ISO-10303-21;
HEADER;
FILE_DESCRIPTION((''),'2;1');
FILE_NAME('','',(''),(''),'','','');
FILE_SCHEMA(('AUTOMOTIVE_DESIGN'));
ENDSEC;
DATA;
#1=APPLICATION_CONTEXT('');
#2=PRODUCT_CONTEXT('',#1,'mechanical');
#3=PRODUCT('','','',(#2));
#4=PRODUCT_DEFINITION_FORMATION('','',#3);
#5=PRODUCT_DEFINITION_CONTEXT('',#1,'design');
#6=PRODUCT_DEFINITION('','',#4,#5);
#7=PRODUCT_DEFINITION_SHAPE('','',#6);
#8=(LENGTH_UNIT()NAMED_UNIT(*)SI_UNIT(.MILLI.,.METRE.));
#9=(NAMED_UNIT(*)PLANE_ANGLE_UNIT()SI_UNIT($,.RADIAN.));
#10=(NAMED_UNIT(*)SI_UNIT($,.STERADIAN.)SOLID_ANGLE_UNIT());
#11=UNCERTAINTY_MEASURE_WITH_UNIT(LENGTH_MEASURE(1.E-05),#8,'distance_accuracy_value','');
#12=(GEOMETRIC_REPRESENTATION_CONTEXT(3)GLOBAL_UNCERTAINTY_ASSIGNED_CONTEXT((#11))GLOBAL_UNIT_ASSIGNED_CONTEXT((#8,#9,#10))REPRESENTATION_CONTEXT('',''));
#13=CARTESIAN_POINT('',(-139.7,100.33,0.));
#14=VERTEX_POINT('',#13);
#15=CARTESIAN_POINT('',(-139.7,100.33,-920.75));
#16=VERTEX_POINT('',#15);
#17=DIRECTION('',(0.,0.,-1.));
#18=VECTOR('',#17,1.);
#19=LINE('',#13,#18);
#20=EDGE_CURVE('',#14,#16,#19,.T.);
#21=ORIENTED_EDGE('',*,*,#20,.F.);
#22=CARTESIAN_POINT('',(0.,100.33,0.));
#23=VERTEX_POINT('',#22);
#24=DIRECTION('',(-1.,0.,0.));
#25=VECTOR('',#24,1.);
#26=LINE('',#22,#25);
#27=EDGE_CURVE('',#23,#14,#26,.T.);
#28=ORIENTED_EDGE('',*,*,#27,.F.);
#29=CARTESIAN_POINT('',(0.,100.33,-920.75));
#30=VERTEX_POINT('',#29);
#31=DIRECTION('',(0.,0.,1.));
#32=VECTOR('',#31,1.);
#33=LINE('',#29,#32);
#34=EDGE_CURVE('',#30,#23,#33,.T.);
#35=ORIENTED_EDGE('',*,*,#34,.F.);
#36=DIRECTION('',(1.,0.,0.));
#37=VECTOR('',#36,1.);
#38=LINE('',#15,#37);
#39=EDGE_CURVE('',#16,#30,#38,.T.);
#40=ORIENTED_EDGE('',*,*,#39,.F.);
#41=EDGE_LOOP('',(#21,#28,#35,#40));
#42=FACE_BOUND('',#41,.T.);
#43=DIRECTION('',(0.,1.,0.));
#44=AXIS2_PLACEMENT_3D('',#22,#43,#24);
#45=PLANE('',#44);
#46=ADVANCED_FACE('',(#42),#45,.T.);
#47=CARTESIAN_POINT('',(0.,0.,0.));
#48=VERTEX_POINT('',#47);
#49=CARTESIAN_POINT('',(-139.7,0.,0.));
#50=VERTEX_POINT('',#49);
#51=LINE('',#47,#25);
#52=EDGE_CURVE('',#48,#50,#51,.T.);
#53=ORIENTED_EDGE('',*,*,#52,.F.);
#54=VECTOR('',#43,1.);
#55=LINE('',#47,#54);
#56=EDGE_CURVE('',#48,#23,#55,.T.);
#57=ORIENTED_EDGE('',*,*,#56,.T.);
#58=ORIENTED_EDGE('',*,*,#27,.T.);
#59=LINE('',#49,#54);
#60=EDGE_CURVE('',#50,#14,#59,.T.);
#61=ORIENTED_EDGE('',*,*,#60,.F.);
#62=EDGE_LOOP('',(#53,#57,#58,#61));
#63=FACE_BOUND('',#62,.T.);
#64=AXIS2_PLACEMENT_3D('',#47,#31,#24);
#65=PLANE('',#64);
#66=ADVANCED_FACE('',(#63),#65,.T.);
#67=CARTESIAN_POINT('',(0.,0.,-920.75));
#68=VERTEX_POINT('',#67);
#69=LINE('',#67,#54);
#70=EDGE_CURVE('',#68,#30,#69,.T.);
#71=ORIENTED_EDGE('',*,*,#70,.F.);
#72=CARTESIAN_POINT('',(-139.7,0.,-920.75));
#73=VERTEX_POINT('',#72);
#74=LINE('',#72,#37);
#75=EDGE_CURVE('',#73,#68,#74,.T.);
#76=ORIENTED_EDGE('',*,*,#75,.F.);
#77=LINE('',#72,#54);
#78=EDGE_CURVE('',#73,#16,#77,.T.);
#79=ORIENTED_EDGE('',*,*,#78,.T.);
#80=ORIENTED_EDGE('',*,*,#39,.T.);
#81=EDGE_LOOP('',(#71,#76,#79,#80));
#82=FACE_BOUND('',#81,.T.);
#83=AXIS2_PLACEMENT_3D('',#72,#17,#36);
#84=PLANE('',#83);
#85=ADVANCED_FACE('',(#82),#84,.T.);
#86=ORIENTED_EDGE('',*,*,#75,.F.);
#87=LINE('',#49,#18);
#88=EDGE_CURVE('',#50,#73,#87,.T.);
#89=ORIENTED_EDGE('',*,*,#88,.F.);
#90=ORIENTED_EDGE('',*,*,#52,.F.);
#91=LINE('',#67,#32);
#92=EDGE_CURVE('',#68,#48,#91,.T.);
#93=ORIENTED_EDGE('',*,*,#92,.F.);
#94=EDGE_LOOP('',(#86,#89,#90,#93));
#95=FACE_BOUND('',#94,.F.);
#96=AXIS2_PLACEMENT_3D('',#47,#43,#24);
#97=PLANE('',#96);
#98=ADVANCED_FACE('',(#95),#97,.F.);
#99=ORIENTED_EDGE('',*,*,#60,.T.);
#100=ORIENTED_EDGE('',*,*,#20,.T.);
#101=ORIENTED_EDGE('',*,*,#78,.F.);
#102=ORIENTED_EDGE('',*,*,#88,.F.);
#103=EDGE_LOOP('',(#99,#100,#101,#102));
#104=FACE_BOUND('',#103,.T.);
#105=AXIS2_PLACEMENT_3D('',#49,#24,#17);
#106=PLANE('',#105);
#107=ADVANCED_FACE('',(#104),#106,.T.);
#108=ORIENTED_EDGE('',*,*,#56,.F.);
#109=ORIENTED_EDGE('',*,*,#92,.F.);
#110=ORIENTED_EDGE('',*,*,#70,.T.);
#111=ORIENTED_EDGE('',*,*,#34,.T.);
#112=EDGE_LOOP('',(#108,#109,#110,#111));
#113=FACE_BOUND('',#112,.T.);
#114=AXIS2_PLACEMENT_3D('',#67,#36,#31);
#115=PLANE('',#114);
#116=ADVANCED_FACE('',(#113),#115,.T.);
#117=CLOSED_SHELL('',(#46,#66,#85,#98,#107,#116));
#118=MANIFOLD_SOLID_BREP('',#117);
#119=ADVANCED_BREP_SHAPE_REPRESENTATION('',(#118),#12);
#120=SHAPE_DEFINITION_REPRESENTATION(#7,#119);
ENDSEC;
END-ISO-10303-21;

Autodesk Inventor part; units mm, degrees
ref_plane "YZ Plane" through (0, 0, 0) normal (1, 0, 0) x (0, 1, 0)
ref_plane "XZ Plane" through (0, 0, 0) normal (0, 1, 0) x (-1, 0, 0)
ref_plane "XY Plane" through (0, 0, 0) normal (0, 0, 1) x (1, 0, 0)
sketch "Sketch1" plane through (0, 0, 0) normal (0, 1, 0) x (-1, 0, 0)
  line L0 (0, 0) -> (139.7, 0)
  line L1 (139.7, 0) -> (139.7, -920.75)
  line L2 (139.7, -920.75) -> (0, -920.75)
  line L3 (0, -920.75) -> (0, 0)
  dimension "d0" = 139.7
  dimension "d1" = 920.75
extrude "Extrusion1" add sketch "Sketch1" along normal blind 100.33
sketch "Sketch2" plane through (0, 0, 0) normal (1, 0, 0) x (0, 0, -1)
  line L0 (920.75, 0) -> (0, 0) projected
  line L1 (0, 0) -> (920.75, 0)
  line L2 (-297.6389, 409.8513) -> (2710.7909, 409.8513) construction
  line L3 (2710.7909, 409.8513) -> (2710.7909, -1716.9746) construction
  line L4 (2710.7909, -1716.9746) -> (-297.6389, -1716.9746) construction
  line L5 (-297.6389, -1716.9746) -> (-297.6389, 409.8513) construction
  line L6 (0, 0) -> (920.75, 0) projected
  line L7 (920.75, 0) -> (920.75, 100.33) projected
  line L8 (0, 100.33) -> (920.75, 100.33) projected
  line L9 (0, 0) -> (0, 100.33) projected
  line L10 (0, 100.33) -> (0, 120.65)
  line L11 (0, 120.65) -> (920.75, 120.65)
  line L12 (920.75, 120.65) -> (920.75, 100.33)
  line L13 (0, 120.65) -> (0, 196.85)
  line L14 (920.75, 196.85) -> (920.75, 120.65)
  line L15 (477.9962, 0) -> (477.9962, -13.97)
  line L16 (477.9962, -13.97) -> (434.8162, -13.97)
  line L17 (434.8162, -13.97) -> (434.8162, 0)
  line L18 (133.294, 0) -> (133.294, -13.97)
  line L19 (133.294, -13.97) -> (90.114, -13.97)
  line L20 (90.114, -13.97) -> (90.114, 0)
  line L21 (769.0257, 0) -> (769.0257, -13.97)
  line L22 (769.0257, -13.97) -> (812.2057, -13.97)
  line L23 (812.2057, -13.97) -> (812.2057, 0)
  line L24 (434.8162, -13.97) -> (477.9962, -13.97)
  line L25 (769.0257, -13.97) -> (812.2057, -13.97)
  line L26 (90.114, -13.97) -> (133.294, -13.97)
  line L27 (90.114, -13.97) -> (111.704, -13.97)
  line L28 (111.704, -13.97) -> (100.909, -13.97)
  line L29 (100.909, -13.97) -> (122.499, -13.97)
  line L30 (122.499, -13.97) -> (122.499, -33.02)
  line L31 (122.499, -33.02) -> (100.909, -33.02)
  line L32 (100.909, -33.02) -> (100.909, -13.97)
  line L33 (434.8162, -13.97) -> (456.4062, -13.97)
  line L34 (456.4062, -13.97) -> (445.6112, -13.97)
  line L35 (445.6112, -13.97) -> (467.2012, -13.97)
  line L36 (467.2012, -13.97) -> (467.2012, -33.02)
  line L37 (467.2012, -33.02) -> (445.6112, -33.02)
  line L38 (445.6112, -33.02) -> (445.6112, -13.97)
  line L39 (769.0257, -13.97) -> (790.6157, -13.97)
  line L40 (790.6157, -13.97) -> (779.8207, -13.97)
  line L41 (779.8207, -13.97) -> (801.4107, -13.97)
  line L42 (801.4107, -13.97) -> (801.4107, -33.02)
  line L43 (801.4107, -33.02) -> (779.8207, -33.02)
  line L44 (779.8207, -33.02) -> (779.8207, -13.97)
  line L45 (434.8162, 0) -> (413.2262, 0)
  line L46 (413.2262, 0) -> (413.2262, -11.43)
  line L47 (413.2262, -11.43) -> (371.9512, -11.43)
  line L48 (371.9512, -11.43) -> (371.9512, 64.77)
  arc A0 (413.2262, 72.0379) -> (371.9512, 72.0379) centre (392.5887, 68.404) ccw
  line L49 (413.2262, 0) -> (413.2262, 64.77)
  line L50 (371.9512, 64.77) -> (371.9512, 72.0379)
  line L51 (413.2262, 64.77) -> (413.2262, 72.0379)
  line L52 (434.8162, -13.97) -> (434.8162, 202.565)
  line L53 (477.9962, -13.97) -> (477.9962, 202.565)
  line L54 (769.0257, -13.97) -> (769.0257, 202.565)
  line L55 (812.2057, -13.97) -> (812.2057, 202.565)
  line L56 (812.2057, 202.565) -> (769.0257, 202.565)
  line L57 (477.9962, 202.565) -> (434.8162, 202.565)
  line L58 (133.294, -13.97) -> (133.294, 182.245)
  line L59 (90.114, -13.97) -> (90.114, 182.245)
  line L60 (90.114, 182.245) -> (133.294, 182.245)
  line L61 (67.3834, 182.245) -> (164.6776, 182.245)
  line L62 (413.2262, 202.565) -> (508.4774, 202.565)
  line L63 (745.5808, 202.565) -> (847.3717, 202.565)
  line L64 (67.3834, 161.925) -> (164.6776, 161.925)
  line L65 (413.2262, 182.245) -> (508.4774, 182.245)
  line L66 (745.5808, 182.245) -> (847.3717, 182.245)
  line L67 (133.294, -13.97) -> (133.294, 78.74)
  line L68 (133.294, 78.74) -> (434.8162, 78.74)
  line L69 (133.294, -13.97) -> (133.294, 26.67)
  line L70 (133.294, 26.67) -> (371.9512, 26.67)
  line L71 (133.294, 26.67) -> (298.394, 26.67)
  line L72 (298.394, 26.67) -> (317.7759, 78.74)
  line L73 (133.294, 78.74) -> (133.294, 59.055)
  line L74 (133.294, 59.055) -> (310.4486, 59.055)
  dimension "d4" = 920.75
  dimension "d32" = 20.32
  dimension "d33" = 76.2
  dimension "d34" = 13.97
  dimension "d35" = 43.18
  dimension "d36" = 13.97
  dimension "d37" = 43.18
  dimension "d38" = 13.97
  dimension "d39" = 13.97
  dimension "d40" = 43.18
  dimension "d45" = 21.59
  dimension "d46" = 19.05
  dimension "d47" = 21.59
  dimension "d48" = 19.05
  dimension "d49" = 21.59
  dimension "d50" = 19.05
  dimension "d58" = 21.59
  dimension "d59" = 11.43
  dimension "d60" = 41.275
  dimension "d61" = 76.2
  dimension "d63" = 20.955
  dimension "d65" = 216.535
  dimension "d66" = 216.535
  dimension "d67" = 216.535
  dimension "d68" = 216.535
  dimension "d69" = 196.215
  dimension "d71" = 20.32
  dimension "d72" = 20.32
  dimension "d73" = 20.32
  dimension "d74" = 92.71
  dimension "d75" = 40.64
  dimension "d76" = 165.1
  dimension "d77" = 19.685
